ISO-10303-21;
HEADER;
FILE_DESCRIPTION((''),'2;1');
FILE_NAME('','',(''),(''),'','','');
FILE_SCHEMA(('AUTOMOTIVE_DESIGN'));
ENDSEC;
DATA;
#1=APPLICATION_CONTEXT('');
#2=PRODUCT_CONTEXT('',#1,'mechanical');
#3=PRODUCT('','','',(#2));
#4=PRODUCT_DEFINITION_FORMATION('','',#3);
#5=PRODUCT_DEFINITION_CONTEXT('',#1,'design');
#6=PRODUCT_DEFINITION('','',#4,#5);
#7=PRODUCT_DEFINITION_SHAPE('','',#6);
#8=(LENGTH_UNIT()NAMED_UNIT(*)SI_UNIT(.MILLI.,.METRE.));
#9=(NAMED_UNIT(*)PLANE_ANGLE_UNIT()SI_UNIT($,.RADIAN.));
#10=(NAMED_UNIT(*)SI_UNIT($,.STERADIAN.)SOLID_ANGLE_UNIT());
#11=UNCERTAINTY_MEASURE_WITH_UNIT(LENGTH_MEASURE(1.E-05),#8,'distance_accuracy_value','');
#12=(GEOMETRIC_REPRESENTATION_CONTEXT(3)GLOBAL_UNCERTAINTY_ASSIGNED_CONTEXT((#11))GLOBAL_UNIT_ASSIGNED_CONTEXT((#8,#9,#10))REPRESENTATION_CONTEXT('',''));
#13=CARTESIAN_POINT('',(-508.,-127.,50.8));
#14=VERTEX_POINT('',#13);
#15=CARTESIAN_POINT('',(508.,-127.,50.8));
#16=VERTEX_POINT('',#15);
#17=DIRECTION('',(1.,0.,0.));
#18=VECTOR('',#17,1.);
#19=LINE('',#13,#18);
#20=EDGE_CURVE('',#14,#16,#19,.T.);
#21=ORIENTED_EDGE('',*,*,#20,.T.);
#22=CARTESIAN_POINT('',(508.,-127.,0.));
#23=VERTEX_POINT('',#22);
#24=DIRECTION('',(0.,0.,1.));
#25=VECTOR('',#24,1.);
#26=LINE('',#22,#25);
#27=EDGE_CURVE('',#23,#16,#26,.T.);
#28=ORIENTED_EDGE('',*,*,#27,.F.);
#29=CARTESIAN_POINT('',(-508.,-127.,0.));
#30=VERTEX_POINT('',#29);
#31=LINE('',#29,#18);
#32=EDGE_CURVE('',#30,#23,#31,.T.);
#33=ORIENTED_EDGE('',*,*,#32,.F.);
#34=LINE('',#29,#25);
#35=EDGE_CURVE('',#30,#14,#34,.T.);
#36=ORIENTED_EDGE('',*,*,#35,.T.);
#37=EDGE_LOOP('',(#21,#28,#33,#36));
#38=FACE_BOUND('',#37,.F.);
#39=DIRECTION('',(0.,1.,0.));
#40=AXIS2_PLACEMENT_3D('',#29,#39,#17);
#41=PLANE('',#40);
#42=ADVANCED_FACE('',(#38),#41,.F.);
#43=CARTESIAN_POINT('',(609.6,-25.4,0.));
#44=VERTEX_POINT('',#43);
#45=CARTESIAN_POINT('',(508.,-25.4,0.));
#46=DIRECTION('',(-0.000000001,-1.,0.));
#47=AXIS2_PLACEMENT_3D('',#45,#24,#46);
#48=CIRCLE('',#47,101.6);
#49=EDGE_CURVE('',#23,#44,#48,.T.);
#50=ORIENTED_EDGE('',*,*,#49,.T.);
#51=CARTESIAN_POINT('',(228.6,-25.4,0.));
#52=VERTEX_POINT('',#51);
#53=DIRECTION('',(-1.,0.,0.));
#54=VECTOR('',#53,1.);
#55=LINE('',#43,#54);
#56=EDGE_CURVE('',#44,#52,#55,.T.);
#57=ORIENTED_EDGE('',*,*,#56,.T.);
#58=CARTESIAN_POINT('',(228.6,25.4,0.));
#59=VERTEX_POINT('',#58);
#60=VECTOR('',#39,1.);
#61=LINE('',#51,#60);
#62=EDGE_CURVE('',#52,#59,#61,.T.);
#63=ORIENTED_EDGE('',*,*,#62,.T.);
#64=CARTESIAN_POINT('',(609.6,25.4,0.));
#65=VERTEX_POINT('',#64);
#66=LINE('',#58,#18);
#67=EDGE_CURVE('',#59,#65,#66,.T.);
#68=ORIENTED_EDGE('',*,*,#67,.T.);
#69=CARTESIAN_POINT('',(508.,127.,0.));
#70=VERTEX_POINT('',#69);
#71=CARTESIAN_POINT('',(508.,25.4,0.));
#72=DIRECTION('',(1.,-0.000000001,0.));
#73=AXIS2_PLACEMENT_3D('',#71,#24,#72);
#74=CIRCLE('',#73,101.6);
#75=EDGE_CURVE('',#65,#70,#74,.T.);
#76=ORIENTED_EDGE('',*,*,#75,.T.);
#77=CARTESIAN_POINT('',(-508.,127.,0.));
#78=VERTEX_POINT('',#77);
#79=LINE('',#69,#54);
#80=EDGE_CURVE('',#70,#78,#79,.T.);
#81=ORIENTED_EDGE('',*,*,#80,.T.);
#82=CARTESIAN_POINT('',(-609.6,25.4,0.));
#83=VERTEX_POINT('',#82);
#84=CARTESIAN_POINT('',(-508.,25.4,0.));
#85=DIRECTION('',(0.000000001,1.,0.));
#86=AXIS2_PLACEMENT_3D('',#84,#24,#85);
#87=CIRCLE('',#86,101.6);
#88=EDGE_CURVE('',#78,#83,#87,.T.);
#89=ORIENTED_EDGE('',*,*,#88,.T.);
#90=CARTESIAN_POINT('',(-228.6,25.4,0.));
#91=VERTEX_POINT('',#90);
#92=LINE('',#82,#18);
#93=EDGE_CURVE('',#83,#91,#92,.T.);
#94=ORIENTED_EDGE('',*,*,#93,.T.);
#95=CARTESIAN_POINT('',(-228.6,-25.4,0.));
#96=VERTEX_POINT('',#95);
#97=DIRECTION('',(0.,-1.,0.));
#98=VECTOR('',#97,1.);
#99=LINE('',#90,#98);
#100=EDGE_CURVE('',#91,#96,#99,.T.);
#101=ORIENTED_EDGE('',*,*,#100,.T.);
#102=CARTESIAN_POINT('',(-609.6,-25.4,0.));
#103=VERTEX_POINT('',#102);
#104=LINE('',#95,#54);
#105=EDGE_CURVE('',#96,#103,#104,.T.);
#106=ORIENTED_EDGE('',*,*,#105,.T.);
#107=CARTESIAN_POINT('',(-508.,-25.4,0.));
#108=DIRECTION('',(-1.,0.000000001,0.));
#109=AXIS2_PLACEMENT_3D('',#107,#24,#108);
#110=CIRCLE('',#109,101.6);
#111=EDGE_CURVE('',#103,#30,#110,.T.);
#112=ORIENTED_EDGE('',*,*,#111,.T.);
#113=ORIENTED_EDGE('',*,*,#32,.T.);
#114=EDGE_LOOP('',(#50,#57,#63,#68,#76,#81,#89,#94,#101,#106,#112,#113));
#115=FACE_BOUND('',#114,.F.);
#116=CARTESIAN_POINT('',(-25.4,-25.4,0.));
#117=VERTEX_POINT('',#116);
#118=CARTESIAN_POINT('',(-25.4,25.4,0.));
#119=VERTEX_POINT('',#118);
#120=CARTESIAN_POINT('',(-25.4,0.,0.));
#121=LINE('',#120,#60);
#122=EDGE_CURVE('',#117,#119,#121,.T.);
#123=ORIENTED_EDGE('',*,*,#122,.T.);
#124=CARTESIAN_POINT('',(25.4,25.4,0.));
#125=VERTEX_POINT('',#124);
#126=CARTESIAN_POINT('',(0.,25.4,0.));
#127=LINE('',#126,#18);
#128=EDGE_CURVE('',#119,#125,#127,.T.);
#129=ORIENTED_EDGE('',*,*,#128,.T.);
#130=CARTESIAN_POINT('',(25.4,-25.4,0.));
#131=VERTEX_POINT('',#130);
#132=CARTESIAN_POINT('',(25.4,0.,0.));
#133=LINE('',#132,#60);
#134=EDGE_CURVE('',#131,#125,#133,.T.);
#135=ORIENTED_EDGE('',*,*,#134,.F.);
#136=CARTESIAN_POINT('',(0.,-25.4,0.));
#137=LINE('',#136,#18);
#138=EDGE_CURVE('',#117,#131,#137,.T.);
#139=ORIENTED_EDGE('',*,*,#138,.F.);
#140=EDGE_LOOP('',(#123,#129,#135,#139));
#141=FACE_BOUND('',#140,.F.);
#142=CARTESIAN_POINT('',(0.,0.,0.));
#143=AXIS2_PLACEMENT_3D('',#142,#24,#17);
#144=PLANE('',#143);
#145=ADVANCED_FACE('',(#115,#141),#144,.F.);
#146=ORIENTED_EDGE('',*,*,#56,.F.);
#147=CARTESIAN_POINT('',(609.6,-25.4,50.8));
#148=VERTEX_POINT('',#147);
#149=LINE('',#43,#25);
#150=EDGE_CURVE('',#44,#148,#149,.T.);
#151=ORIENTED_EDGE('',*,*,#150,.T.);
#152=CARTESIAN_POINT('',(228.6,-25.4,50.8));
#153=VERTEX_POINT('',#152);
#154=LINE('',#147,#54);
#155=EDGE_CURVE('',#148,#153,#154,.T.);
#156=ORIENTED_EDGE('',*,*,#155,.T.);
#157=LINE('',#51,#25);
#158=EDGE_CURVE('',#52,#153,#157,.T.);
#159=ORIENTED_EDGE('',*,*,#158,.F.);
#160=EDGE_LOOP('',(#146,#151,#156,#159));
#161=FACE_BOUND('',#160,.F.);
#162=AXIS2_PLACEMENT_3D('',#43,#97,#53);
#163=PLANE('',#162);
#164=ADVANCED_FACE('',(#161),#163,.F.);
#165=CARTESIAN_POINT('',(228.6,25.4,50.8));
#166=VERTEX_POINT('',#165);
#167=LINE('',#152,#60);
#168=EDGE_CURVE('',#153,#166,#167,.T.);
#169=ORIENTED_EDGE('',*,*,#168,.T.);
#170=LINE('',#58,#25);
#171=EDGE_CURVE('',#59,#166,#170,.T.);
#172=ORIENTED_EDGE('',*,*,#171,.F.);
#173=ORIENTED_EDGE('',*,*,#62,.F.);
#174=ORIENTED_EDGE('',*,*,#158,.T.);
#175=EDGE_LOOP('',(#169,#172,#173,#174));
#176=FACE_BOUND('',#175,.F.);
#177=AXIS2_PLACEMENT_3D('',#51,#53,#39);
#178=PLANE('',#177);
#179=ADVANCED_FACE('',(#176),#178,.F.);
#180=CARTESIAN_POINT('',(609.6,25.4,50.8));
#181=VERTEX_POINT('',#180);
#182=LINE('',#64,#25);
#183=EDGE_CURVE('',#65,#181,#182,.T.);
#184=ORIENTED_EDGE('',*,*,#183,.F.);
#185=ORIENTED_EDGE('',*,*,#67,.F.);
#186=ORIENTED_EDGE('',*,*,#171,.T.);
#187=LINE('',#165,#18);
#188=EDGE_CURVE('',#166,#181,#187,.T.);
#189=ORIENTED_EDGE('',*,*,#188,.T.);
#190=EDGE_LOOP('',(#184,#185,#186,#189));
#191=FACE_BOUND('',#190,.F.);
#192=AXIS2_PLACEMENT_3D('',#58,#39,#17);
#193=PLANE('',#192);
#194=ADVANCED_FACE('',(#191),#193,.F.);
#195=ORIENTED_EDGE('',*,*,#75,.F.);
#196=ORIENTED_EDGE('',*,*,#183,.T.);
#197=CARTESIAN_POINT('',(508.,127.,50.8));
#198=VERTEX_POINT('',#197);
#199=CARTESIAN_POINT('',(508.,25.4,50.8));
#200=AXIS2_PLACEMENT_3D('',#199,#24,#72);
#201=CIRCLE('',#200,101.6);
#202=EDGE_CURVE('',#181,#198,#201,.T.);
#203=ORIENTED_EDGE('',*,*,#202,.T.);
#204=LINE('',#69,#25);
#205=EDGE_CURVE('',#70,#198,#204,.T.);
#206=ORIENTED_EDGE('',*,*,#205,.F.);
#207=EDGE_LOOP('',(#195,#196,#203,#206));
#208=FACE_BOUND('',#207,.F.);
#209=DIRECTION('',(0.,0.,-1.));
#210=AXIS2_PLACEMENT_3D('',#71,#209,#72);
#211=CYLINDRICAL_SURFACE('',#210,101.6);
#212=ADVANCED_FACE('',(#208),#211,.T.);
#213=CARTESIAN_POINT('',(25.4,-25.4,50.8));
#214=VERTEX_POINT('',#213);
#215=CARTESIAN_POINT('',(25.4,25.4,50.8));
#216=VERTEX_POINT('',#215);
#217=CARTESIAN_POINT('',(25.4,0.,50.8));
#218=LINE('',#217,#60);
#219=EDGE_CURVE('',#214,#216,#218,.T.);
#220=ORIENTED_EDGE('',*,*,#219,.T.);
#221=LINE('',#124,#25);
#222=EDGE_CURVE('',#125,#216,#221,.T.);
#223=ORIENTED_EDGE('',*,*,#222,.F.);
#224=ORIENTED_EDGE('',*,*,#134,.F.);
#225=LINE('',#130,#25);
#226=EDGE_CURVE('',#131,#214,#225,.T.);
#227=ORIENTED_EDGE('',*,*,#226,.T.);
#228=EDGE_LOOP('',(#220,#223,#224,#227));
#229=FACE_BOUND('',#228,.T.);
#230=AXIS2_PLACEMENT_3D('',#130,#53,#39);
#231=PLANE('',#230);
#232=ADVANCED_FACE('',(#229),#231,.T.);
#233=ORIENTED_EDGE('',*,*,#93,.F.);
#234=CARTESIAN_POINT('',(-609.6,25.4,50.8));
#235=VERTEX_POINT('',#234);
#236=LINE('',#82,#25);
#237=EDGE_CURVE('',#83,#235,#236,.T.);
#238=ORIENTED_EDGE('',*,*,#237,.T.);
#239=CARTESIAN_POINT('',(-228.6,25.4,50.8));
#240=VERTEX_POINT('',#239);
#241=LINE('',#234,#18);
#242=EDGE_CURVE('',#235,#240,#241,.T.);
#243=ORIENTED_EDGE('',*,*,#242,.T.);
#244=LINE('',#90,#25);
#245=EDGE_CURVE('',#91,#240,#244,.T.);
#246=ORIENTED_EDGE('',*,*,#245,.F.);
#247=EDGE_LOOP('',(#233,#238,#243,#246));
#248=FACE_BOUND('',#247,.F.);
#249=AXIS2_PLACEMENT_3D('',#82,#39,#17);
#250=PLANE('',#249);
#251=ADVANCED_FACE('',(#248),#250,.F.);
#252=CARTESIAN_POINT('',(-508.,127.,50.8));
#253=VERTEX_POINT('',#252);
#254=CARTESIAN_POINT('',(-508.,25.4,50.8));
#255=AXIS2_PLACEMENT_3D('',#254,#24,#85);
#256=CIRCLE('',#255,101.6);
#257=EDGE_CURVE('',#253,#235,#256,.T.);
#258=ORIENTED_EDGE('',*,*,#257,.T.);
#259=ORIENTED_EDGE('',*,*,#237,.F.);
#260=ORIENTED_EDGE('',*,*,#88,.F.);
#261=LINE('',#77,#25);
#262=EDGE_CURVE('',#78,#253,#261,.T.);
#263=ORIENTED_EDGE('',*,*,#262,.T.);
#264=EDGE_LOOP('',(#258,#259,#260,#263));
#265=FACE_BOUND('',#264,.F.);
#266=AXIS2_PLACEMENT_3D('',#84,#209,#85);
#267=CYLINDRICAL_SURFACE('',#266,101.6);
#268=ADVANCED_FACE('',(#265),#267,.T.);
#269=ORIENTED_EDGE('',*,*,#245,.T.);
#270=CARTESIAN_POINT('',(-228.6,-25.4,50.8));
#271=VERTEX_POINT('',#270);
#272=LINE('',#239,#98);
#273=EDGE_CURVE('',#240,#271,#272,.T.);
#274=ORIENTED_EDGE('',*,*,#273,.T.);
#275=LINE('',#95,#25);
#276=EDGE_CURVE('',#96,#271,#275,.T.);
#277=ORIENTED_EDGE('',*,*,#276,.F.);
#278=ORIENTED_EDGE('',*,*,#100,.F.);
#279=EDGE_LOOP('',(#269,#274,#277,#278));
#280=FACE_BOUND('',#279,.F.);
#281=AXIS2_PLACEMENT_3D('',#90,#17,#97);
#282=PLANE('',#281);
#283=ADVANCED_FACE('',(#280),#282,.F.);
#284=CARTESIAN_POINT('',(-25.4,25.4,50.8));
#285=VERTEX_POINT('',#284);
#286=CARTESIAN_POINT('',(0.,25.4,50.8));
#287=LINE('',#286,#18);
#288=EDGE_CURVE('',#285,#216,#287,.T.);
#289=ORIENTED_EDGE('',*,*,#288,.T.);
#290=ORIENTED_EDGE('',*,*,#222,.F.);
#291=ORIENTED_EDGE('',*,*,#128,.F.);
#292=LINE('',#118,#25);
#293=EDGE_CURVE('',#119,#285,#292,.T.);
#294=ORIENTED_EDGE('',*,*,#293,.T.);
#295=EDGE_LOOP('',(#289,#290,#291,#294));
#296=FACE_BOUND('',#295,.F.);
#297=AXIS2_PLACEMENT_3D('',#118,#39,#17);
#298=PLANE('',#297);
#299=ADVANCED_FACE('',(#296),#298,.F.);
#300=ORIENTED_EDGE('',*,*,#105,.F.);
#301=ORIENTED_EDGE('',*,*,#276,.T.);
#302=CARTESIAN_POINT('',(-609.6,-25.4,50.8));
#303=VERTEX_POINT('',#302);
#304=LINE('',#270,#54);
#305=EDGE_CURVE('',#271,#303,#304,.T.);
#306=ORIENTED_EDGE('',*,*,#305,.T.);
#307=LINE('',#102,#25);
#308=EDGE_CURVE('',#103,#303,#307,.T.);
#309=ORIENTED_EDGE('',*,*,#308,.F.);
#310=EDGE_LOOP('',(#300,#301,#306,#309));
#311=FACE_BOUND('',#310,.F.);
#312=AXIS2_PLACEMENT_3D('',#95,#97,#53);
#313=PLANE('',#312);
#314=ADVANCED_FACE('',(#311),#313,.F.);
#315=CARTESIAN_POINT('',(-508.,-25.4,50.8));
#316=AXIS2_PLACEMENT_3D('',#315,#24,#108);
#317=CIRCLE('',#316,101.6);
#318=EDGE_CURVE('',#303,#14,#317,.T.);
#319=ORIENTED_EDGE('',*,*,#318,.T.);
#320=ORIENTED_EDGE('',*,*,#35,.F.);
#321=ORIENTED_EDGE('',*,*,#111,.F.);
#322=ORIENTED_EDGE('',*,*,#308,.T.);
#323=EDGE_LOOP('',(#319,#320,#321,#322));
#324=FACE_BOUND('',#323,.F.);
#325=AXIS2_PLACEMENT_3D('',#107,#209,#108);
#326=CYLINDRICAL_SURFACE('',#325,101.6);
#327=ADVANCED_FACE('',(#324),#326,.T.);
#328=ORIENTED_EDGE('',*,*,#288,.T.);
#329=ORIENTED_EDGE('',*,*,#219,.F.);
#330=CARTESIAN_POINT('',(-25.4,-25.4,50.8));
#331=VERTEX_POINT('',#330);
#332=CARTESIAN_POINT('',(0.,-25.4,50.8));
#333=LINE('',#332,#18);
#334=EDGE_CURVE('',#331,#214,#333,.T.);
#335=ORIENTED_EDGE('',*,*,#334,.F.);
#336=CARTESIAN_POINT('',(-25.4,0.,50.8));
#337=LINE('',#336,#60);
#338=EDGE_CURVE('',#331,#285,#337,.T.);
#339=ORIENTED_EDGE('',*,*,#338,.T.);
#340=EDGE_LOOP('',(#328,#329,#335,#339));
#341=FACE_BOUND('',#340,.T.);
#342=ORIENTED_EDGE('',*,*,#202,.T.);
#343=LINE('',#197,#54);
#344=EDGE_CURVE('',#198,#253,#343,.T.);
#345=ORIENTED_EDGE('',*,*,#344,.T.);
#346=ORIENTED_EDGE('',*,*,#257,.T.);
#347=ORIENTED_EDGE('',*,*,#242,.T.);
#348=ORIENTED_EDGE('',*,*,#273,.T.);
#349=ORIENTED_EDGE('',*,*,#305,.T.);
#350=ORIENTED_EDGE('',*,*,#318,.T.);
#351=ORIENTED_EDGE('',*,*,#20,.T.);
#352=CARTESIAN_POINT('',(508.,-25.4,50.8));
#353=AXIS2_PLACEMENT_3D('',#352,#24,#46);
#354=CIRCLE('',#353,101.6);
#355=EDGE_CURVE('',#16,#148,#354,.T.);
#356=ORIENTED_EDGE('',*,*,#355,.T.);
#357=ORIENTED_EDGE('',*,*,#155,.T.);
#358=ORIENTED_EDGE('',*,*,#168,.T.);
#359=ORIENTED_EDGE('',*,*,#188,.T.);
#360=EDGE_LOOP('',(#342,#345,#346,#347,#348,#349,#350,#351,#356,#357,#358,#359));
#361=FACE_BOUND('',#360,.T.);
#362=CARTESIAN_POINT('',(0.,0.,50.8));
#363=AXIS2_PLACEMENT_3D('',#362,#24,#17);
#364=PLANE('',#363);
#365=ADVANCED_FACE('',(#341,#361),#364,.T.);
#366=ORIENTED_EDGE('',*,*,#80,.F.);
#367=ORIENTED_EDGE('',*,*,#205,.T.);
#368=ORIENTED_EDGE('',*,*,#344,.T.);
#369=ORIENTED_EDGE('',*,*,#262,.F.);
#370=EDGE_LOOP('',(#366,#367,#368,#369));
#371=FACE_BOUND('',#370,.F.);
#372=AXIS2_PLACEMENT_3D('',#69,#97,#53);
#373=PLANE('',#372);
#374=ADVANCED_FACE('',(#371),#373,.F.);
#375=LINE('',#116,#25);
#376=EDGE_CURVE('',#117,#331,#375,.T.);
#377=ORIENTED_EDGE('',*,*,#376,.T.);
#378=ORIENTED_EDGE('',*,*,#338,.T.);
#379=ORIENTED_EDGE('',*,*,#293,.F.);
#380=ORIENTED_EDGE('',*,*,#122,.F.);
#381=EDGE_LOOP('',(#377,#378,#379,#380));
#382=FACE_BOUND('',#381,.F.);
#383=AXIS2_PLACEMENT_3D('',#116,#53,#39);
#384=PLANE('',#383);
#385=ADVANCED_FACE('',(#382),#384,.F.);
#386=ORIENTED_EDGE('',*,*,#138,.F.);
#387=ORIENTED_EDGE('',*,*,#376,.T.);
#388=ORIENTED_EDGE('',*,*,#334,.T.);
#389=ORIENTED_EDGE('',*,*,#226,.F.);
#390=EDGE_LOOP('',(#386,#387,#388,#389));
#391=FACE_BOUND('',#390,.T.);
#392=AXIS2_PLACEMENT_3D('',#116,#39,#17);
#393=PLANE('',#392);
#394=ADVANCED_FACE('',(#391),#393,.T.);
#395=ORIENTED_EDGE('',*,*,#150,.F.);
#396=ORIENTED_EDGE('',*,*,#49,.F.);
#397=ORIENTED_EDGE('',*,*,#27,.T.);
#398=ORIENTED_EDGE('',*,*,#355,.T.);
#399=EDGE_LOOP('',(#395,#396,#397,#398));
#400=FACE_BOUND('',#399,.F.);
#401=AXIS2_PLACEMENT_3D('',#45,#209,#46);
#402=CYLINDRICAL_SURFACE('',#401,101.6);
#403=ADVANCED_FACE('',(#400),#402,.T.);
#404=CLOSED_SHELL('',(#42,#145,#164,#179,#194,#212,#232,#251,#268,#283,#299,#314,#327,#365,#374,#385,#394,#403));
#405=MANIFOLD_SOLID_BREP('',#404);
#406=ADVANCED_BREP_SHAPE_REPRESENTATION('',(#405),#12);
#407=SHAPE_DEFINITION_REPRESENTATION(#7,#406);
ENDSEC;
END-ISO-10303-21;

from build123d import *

# Parameters (mm, degrees)
F0_W     = 50.8
F0_H     = 50.8
F1_DEPTH = 50.8


with BuildPart() as f1:
    # F0 (on Top) → F1 (new body)
    with BuildSketch(Plane.XY):
        with BuildLine():
            ThreePointArc((609.6, 25.4), (579.842049, 97.242049), (508, 127))
            Line((508, 127), (-508, 127))
            ThreePointArc((-508, 127), (-579.842049, 97.242049), (-609.6, 25.4))
            Line((-609.6, 25.4), (-228.6, 25.4))
            Line((-228.6, 25.4), (-228.6, -25.4))
            Line((-228.6, -25.4), (-609.6, -25.4))
            ThreePointArc((-609.6, -25.4), (-579.842049, -97.242049), (-508, -127))
            Line((-508, -127), (508, -127))
            ThreePointArc((508, -127), (579.842049, -97.242049), (609.6, -25.4))
            Line((609.6, -25.4), (228.6, -25.4))
            Line((228.6, -25.4), (228.6, 25.4))
            Line((228.6, 25.4), (609.6, 25.4))
        make_face()
        Rectangle(F0_W, F0_H, mode=Mode.SUBTRACT)
    extrude(amount=F1_DEPTH)


solid = f1.part
